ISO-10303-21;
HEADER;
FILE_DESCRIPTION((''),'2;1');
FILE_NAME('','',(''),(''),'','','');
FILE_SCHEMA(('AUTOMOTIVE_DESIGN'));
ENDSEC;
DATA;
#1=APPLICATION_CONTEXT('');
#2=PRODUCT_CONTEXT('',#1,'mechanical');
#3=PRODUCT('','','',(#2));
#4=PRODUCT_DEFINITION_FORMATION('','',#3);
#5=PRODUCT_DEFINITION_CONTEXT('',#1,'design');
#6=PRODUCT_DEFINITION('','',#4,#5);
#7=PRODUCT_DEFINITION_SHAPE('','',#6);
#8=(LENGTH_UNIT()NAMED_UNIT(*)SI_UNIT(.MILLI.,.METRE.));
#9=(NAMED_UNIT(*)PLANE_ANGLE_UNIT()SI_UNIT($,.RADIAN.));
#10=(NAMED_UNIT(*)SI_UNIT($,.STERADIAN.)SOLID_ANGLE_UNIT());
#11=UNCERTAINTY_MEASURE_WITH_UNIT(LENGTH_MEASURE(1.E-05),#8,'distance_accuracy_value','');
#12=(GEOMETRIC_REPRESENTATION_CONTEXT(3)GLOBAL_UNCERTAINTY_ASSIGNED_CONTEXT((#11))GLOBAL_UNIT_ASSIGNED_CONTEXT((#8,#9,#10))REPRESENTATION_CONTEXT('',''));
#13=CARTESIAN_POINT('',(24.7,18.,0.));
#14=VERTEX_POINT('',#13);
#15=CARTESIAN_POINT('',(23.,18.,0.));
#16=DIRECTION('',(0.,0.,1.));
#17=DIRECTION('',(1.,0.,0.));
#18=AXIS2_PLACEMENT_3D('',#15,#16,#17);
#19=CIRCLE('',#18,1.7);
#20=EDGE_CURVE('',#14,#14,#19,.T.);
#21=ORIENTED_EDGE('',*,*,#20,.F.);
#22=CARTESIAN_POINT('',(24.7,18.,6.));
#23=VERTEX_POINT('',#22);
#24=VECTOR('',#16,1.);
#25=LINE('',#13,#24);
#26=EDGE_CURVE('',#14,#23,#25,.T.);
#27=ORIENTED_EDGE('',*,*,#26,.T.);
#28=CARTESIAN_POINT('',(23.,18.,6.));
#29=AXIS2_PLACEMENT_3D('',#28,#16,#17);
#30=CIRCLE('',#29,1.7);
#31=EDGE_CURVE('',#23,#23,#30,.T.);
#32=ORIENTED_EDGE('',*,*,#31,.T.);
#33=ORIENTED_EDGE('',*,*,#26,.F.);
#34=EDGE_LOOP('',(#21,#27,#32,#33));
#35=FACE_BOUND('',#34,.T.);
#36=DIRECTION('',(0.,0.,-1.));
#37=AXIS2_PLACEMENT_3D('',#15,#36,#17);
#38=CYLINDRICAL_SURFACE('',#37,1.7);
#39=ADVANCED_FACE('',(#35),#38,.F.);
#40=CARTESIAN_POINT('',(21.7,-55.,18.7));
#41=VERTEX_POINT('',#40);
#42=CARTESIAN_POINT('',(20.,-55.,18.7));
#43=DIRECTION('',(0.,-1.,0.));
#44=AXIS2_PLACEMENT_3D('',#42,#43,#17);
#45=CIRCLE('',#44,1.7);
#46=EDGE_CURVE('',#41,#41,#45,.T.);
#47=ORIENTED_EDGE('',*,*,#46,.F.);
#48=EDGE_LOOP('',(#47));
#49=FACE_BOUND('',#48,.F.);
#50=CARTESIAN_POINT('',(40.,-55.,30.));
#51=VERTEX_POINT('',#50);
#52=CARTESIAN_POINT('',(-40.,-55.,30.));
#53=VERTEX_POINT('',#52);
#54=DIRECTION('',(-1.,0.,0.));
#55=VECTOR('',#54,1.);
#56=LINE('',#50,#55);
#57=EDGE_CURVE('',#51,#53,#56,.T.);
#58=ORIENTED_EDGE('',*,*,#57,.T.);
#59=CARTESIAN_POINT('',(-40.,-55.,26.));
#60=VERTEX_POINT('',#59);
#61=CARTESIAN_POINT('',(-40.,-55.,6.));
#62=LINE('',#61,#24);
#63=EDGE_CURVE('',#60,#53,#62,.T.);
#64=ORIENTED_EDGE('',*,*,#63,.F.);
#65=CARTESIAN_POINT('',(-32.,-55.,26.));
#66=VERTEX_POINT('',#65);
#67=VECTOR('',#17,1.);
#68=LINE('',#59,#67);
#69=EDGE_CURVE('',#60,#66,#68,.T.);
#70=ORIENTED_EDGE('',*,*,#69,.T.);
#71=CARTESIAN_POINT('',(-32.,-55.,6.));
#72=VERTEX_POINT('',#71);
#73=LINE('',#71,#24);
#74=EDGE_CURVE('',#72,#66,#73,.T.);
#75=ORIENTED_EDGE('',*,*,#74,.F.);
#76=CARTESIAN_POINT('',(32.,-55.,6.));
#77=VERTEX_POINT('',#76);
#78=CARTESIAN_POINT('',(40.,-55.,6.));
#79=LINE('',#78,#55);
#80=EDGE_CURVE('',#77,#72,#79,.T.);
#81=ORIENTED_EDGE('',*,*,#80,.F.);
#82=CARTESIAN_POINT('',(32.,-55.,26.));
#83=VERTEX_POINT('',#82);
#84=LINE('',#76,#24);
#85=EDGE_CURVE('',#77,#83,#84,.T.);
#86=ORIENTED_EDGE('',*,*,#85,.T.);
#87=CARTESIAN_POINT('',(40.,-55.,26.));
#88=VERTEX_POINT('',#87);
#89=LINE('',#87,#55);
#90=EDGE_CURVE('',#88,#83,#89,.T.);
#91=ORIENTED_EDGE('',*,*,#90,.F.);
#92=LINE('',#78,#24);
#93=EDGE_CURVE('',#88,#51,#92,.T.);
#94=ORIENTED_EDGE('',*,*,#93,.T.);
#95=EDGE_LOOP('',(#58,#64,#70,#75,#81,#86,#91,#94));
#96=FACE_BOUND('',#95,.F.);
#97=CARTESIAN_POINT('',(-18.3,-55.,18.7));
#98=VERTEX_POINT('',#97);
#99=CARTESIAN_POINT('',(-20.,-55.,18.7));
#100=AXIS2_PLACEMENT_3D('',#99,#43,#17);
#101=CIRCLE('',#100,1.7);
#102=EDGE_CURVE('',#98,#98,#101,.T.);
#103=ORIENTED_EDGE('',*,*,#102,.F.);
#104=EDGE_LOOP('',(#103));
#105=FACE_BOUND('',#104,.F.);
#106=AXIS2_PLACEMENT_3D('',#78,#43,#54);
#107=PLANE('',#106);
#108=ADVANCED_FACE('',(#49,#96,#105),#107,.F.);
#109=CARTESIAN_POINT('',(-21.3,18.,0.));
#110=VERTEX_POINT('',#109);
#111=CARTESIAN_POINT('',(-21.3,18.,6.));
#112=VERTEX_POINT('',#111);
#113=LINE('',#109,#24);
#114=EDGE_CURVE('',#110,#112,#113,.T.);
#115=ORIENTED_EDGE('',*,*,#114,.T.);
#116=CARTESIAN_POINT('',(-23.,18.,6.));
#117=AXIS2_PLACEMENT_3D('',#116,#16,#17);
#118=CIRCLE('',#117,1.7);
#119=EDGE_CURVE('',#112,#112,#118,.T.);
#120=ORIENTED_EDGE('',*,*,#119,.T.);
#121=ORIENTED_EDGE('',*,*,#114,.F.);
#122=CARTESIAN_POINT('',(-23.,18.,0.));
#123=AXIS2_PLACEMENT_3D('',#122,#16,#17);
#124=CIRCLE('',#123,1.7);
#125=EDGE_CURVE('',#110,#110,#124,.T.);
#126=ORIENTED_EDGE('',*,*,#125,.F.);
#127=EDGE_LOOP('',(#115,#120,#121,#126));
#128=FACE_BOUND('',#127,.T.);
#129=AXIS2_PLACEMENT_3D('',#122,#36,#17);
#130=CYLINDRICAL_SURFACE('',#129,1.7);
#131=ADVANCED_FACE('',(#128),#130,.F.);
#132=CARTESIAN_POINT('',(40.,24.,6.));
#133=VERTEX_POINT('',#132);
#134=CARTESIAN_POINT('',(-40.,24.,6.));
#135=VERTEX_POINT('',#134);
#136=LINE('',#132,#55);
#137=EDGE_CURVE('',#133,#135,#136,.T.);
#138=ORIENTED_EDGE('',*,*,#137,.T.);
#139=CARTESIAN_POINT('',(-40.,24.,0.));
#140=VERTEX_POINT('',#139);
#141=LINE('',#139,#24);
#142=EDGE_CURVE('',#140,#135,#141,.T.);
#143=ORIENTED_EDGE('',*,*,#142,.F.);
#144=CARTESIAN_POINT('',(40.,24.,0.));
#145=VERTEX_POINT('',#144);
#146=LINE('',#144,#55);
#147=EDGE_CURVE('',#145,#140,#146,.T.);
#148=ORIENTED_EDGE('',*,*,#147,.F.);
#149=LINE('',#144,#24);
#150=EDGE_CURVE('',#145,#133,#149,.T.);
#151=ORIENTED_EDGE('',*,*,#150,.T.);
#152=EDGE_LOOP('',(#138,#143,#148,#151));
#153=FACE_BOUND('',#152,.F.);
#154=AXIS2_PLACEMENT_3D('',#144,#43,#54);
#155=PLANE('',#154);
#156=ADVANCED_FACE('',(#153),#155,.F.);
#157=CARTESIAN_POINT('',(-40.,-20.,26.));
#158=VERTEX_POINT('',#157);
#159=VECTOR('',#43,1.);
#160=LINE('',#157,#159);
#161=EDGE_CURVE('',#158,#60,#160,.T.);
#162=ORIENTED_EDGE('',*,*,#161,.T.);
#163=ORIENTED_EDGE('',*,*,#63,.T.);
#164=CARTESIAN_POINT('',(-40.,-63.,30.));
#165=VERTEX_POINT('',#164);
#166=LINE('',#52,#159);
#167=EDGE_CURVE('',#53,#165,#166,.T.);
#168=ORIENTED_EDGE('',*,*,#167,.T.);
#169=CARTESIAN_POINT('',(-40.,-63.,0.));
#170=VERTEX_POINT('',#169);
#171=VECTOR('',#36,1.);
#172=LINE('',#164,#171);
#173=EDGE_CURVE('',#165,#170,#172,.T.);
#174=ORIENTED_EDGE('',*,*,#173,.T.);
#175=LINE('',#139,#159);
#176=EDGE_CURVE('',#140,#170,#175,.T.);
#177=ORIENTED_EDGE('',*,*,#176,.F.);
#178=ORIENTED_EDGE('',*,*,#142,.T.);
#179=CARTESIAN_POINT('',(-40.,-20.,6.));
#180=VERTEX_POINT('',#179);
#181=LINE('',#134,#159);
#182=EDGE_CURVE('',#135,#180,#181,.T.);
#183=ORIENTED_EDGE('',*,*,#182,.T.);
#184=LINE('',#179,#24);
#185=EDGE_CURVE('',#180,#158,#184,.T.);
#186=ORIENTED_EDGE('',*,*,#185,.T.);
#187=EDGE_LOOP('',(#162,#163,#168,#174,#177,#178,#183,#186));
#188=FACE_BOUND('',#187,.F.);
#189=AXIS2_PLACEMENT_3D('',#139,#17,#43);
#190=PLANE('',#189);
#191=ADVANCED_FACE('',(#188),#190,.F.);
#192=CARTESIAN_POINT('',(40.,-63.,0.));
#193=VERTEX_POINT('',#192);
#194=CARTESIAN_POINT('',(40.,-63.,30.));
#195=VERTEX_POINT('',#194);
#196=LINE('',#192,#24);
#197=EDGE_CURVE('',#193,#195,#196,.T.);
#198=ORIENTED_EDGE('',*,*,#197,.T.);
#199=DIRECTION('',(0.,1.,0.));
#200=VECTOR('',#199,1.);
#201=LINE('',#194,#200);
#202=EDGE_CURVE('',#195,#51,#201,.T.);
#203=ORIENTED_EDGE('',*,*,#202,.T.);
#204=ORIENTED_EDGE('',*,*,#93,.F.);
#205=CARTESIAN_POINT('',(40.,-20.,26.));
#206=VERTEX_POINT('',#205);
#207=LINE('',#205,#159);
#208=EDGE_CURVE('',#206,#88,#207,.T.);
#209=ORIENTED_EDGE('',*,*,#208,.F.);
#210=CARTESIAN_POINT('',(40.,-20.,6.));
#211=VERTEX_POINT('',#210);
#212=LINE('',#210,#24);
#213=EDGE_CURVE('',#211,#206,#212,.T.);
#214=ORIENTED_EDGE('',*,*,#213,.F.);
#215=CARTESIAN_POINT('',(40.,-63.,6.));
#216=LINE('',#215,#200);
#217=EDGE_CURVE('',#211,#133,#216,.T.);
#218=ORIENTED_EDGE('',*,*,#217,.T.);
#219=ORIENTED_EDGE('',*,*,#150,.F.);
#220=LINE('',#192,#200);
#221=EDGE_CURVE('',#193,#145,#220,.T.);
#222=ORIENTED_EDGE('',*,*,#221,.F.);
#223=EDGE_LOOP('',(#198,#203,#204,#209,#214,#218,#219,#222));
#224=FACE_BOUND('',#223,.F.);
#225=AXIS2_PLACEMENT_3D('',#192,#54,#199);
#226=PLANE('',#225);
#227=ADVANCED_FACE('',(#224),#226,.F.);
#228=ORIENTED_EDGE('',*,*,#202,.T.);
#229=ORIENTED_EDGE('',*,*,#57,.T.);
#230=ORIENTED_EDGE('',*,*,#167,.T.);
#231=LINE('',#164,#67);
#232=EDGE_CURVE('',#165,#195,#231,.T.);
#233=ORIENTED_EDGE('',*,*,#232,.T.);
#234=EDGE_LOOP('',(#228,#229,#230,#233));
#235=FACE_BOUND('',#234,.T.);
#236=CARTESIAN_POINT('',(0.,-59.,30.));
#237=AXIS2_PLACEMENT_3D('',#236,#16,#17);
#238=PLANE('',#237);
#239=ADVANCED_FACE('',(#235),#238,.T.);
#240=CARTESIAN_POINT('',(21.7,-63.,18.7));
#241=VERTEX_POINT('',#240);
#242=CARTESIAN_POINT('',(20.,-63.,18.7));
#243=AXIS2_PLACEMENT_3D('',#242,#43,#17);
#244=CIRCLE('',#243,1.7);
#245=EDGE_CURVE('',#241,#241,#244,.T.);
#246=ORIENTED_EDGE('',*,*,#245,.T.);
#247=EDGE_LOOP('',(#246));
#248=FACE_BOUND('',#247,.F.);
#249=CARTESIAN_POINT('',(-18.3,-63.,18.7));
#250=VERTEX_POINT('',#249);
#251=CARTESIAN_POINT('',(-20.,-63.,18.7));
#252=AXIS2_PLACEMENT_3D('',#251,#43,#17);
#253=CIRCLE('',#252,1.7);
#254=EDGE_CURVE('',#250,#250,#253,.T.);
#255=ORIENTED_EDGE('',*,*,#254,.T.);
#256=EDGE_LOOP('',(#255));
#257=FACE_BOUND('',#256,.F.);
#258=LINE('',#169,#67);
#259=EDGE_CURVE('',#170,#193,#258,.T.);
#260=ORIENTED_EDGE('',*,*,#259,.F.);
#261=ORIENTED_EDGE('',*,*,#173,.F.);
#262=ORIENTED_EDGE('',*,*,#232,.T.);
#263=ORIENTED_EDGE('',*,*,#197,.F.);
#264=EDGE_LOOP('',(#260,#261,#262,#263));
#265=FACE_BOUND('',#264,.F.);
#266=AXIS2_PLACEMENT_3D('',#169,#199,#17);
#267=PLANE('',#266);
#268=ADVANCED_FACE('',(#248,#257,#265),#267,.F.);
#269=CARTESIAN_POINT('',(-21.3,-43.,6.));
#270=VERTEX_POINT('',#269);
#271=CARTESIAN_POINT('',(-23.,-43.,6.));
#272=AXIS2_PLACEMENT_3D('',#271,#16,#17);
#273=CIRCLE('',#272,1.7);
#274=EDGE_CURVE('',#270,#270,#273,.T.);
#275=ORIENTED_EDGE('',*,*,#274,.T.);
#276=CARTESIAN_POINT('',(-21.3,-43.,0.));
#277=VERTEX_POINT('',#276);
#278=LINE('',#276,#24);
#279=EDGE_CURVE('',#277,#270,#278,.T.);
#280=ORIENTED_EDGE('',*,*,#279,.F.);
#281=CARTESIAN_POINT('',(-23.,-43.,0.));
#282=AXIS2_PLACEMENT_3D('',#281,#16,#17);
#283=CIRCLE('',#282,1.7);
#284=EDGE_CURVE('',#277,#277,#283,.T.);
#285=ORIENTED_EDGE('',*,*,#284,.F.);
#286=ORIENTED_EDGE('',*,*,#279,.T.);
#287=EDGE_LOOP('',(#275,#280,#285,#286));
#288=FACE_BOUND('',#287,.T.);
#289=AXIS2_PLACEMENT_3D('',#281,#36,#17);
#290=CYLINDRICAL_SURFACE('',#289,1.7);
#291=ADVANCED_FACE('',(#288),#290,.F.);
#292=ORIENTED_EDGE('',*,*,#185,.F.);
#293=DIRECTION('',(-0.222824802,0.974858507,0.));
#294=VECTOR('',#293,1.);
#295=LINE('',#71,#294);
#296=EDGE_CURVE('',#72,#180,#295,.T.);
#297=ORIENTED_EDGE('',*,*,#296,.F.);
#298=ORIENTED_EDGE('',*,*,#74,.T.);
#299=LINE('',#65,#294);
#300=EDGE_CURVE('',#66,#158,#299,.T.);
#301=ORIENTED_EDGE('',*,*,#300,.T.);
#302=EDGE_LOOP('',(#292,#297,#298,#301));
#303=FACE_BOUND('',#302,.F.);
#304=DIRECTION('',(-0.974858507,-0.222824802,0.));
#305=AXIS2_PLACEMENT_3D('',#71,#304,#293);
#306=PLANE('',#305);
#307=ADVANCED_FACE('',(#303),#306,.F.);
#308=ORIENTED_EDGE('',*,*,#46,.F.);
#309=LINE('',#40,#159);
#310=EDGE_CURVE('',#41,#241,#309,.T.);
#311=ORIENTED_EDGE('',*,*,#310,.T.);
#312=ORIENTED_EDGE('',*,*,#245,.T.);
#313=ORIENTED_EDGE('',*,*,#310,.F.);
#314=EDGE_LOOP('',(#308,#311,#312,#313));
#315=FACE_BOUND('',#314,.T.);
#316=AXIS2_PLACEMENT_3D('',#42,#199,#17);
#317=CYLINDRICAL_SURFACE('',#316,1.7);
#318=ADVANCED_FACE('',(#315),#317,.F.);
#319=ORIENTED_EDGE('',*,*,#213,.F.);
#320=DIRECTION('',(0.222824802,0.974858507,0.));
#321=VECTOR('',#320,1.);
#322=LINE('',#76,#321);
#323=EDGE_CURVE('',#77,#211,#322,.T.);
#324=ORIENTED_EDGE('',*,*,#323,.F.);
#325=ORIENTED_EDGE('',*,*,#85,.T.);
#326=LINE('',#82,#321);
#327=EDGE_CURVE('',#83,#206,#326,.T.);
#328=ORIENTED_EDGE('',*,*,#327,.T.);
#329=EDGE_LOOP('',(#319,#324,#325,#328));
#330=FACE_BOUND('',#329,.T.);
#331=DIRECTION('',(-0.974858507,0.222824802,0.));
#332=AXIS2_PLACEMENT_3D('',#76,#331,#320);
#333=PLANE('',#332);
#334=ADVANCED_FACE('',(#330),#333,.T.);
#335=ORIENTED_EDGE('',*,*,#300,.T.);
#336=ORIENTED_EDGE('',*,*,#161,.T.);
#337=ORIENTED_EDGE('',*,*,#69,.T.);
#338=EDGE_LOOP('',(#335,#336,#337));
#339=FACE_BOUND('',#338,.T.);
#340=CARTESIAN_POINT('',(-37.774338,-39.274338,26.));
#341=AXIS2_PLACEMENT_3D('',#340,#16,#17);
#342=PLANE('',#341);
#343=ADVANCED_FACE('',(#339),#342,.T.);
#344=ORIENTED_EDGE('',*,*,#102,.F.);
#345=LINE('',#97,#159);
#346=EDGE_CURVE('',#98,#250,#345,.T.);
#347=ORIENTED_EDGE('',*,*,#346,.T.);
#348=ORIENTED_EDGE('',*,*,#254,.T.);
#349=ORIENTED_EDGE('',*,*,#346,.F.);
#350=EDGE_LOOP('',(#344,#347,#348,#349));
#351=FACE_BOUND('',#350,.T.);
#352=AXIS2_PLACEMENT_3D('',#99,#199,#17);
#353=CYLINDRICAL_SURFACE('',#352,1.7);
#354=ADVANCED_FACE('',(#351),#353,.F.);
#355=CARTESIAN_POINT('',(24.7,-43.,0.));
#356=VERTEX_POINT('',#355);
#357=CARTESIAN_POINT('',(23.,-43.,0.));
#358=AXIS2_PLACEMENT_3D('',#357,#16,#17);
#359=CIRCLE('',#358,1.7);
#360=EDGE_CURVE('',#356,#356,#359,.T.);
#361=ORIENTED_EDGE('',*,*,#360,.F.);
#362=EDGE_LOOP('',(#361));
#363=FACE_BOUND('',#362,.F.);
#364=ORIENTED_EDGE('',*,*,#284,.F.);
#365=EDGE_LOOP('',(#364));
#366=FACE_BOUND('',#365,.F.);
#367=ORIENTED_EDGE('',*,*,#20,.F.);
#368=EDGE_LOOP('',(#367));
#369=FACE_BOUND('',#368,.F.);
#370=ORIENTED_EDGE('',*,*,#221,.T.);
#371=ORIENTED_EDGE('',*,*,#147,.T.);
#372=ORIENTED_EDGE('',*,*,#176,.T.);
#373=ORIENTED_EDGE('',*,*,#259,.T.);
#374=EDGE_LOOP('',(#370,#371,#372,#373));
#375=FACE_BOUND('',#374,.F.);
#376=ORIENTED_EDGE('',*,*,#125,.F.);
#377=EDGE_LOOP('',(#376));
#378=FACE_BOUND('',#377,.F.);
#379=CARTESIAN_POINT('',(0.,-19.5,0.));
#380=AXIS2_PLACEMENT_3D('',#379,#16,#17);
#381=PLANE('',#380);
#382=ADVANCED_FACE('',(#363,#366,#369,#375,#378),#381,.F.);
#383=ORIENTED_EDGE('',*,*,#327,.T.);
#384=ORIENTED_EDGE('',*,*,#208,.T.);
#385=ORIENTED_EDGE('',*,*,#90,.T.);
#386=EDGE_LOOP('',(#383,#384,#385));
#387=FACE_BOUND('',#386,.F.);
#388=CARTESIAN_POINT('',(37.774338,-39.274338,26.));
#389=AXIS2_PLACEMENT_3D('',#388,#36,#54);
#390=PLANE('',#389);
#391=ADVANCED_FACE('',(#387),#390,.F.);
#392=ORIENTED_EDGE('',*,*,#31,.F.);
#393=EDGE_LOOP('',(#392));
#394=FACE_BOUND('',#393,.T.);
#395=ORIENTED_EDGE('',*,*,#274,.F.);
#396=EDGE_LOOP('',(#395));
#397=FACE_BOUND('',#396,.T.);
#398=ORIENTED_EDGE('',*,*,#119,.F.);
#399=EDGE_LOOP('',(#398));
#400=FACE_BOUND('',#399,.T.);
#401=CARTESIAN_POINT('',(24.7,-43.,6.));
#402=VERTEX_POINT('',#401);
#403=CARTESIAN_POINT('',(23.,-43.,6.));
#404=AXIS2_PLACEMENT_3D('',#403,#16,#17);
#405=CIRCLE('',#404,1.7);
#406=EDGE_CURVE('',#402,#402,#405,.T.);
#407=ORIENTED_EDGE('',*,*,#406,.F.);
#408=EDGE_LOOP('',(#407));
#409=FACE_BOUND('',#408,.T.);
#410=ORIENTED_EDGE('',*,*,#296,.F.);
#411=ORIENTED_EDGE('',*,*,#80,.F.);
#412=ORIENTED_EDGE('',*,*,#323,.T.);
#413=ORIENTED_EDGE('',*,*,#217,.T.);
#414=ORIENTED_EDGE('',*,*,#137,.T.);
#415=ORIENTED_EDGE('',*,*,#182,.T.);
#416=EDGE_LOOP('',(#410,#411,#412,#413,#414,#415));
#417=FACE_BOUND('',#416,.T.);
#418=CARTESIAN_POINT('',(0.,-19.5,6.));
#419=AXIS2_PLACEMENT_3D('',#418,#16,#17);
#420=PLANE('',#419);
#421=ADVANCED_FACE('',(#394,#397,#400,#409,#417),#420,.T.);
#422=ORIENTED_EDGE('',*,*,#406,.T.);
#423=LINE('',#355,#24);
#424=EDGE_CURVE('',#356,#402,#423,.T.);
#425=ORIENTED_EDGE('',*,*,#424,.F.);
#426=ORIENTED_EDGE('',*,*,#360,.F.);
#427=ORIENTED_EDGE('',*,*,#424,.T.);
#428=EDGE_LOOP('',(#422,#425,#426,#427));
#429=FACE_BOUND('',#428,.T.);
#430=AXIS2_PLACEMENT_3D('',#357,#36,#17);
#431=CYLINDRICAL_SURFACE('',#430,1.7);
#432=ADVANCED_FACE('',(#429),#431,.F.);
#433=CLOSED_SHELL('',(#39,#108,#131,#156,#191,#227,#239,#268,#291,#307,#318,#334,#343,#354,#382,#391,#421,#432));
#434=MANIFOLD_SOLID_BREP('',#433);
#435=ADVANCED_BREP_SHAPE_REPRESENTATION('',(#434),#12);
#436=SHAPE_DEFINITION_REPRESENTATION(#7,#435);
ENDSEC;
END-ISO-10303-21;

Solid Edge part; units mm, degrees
sketch "Sketch1" plane through (0, 0, 0) normal (0, 0, 1) x (1, 0, 0)
  line L0 (-40, -63) -> (40, -63)
  line L1 (40, -63) -> (40, 24)
  line L2 (40, 24) -> (-40, 24)
  line L3 (-40, 24) -> (-40, -63)
  circle A0 centre (-23, -43) radius 1.7
  circle A1 centre (23, -43) radius 1.7
  circle A2 centre (-23, 18) radius 1.7
  circle A3 centre (23, 18) radius 1.7
extrude "Protrusion1" add sketch "Sketch1" along normal blind 6
sketch "Sketch2" plane through (0, 0, 6) normal (0, 0, 1) x (1, 0, 0)
  line L0 (-40, -63) -> (40, -63)
  line L1 (40, -63) -> (40, -55)
  line L2 (40, -55) -> (-40, -55)
  line L3 (-40, -55) -> (-40, -63)
extrude "ExtrudedProtrusion_2" add sketch "Sketch2" along normal blind 24
sketch "Sketch3" plane through (0, 0, 6) normal (0, 0, 1) x (1, 0, 0)
  line L0 (-40, -55) -> (-32, -55)
  line L1 (-32, -55) -> (-40, -20)
  line L2 (-40, -20) -> (-40, -55)
extrude "ExtrudedProtrusion_3" add sketch "Sketch3" along normal blind 20
sketch "Sketch4" plane through (0, 0, 6) normal (0, 0, 1) x (1, 0, 0)
  line L0 (40, -55) -> (32, -55)
  line L1 (32, -55) -> (40, -20)
  line L2 (40, -20) -> (40, -55)
extrude "ExtrudedProtrusion_4" add sketch "Sketch4" along normal blind 20
sketch "Sketch5" plane through (0, -55, 0) normal (0, -1, 0) x (1, 0, 0)
  circle A0 centre (-20, 18.7) radius 1.7
  circle A1 centre (20, 18.7) radius 1.7
extrude "ExtrudedCutout_1" cut sketch "Sketch5" along normal blind 8
